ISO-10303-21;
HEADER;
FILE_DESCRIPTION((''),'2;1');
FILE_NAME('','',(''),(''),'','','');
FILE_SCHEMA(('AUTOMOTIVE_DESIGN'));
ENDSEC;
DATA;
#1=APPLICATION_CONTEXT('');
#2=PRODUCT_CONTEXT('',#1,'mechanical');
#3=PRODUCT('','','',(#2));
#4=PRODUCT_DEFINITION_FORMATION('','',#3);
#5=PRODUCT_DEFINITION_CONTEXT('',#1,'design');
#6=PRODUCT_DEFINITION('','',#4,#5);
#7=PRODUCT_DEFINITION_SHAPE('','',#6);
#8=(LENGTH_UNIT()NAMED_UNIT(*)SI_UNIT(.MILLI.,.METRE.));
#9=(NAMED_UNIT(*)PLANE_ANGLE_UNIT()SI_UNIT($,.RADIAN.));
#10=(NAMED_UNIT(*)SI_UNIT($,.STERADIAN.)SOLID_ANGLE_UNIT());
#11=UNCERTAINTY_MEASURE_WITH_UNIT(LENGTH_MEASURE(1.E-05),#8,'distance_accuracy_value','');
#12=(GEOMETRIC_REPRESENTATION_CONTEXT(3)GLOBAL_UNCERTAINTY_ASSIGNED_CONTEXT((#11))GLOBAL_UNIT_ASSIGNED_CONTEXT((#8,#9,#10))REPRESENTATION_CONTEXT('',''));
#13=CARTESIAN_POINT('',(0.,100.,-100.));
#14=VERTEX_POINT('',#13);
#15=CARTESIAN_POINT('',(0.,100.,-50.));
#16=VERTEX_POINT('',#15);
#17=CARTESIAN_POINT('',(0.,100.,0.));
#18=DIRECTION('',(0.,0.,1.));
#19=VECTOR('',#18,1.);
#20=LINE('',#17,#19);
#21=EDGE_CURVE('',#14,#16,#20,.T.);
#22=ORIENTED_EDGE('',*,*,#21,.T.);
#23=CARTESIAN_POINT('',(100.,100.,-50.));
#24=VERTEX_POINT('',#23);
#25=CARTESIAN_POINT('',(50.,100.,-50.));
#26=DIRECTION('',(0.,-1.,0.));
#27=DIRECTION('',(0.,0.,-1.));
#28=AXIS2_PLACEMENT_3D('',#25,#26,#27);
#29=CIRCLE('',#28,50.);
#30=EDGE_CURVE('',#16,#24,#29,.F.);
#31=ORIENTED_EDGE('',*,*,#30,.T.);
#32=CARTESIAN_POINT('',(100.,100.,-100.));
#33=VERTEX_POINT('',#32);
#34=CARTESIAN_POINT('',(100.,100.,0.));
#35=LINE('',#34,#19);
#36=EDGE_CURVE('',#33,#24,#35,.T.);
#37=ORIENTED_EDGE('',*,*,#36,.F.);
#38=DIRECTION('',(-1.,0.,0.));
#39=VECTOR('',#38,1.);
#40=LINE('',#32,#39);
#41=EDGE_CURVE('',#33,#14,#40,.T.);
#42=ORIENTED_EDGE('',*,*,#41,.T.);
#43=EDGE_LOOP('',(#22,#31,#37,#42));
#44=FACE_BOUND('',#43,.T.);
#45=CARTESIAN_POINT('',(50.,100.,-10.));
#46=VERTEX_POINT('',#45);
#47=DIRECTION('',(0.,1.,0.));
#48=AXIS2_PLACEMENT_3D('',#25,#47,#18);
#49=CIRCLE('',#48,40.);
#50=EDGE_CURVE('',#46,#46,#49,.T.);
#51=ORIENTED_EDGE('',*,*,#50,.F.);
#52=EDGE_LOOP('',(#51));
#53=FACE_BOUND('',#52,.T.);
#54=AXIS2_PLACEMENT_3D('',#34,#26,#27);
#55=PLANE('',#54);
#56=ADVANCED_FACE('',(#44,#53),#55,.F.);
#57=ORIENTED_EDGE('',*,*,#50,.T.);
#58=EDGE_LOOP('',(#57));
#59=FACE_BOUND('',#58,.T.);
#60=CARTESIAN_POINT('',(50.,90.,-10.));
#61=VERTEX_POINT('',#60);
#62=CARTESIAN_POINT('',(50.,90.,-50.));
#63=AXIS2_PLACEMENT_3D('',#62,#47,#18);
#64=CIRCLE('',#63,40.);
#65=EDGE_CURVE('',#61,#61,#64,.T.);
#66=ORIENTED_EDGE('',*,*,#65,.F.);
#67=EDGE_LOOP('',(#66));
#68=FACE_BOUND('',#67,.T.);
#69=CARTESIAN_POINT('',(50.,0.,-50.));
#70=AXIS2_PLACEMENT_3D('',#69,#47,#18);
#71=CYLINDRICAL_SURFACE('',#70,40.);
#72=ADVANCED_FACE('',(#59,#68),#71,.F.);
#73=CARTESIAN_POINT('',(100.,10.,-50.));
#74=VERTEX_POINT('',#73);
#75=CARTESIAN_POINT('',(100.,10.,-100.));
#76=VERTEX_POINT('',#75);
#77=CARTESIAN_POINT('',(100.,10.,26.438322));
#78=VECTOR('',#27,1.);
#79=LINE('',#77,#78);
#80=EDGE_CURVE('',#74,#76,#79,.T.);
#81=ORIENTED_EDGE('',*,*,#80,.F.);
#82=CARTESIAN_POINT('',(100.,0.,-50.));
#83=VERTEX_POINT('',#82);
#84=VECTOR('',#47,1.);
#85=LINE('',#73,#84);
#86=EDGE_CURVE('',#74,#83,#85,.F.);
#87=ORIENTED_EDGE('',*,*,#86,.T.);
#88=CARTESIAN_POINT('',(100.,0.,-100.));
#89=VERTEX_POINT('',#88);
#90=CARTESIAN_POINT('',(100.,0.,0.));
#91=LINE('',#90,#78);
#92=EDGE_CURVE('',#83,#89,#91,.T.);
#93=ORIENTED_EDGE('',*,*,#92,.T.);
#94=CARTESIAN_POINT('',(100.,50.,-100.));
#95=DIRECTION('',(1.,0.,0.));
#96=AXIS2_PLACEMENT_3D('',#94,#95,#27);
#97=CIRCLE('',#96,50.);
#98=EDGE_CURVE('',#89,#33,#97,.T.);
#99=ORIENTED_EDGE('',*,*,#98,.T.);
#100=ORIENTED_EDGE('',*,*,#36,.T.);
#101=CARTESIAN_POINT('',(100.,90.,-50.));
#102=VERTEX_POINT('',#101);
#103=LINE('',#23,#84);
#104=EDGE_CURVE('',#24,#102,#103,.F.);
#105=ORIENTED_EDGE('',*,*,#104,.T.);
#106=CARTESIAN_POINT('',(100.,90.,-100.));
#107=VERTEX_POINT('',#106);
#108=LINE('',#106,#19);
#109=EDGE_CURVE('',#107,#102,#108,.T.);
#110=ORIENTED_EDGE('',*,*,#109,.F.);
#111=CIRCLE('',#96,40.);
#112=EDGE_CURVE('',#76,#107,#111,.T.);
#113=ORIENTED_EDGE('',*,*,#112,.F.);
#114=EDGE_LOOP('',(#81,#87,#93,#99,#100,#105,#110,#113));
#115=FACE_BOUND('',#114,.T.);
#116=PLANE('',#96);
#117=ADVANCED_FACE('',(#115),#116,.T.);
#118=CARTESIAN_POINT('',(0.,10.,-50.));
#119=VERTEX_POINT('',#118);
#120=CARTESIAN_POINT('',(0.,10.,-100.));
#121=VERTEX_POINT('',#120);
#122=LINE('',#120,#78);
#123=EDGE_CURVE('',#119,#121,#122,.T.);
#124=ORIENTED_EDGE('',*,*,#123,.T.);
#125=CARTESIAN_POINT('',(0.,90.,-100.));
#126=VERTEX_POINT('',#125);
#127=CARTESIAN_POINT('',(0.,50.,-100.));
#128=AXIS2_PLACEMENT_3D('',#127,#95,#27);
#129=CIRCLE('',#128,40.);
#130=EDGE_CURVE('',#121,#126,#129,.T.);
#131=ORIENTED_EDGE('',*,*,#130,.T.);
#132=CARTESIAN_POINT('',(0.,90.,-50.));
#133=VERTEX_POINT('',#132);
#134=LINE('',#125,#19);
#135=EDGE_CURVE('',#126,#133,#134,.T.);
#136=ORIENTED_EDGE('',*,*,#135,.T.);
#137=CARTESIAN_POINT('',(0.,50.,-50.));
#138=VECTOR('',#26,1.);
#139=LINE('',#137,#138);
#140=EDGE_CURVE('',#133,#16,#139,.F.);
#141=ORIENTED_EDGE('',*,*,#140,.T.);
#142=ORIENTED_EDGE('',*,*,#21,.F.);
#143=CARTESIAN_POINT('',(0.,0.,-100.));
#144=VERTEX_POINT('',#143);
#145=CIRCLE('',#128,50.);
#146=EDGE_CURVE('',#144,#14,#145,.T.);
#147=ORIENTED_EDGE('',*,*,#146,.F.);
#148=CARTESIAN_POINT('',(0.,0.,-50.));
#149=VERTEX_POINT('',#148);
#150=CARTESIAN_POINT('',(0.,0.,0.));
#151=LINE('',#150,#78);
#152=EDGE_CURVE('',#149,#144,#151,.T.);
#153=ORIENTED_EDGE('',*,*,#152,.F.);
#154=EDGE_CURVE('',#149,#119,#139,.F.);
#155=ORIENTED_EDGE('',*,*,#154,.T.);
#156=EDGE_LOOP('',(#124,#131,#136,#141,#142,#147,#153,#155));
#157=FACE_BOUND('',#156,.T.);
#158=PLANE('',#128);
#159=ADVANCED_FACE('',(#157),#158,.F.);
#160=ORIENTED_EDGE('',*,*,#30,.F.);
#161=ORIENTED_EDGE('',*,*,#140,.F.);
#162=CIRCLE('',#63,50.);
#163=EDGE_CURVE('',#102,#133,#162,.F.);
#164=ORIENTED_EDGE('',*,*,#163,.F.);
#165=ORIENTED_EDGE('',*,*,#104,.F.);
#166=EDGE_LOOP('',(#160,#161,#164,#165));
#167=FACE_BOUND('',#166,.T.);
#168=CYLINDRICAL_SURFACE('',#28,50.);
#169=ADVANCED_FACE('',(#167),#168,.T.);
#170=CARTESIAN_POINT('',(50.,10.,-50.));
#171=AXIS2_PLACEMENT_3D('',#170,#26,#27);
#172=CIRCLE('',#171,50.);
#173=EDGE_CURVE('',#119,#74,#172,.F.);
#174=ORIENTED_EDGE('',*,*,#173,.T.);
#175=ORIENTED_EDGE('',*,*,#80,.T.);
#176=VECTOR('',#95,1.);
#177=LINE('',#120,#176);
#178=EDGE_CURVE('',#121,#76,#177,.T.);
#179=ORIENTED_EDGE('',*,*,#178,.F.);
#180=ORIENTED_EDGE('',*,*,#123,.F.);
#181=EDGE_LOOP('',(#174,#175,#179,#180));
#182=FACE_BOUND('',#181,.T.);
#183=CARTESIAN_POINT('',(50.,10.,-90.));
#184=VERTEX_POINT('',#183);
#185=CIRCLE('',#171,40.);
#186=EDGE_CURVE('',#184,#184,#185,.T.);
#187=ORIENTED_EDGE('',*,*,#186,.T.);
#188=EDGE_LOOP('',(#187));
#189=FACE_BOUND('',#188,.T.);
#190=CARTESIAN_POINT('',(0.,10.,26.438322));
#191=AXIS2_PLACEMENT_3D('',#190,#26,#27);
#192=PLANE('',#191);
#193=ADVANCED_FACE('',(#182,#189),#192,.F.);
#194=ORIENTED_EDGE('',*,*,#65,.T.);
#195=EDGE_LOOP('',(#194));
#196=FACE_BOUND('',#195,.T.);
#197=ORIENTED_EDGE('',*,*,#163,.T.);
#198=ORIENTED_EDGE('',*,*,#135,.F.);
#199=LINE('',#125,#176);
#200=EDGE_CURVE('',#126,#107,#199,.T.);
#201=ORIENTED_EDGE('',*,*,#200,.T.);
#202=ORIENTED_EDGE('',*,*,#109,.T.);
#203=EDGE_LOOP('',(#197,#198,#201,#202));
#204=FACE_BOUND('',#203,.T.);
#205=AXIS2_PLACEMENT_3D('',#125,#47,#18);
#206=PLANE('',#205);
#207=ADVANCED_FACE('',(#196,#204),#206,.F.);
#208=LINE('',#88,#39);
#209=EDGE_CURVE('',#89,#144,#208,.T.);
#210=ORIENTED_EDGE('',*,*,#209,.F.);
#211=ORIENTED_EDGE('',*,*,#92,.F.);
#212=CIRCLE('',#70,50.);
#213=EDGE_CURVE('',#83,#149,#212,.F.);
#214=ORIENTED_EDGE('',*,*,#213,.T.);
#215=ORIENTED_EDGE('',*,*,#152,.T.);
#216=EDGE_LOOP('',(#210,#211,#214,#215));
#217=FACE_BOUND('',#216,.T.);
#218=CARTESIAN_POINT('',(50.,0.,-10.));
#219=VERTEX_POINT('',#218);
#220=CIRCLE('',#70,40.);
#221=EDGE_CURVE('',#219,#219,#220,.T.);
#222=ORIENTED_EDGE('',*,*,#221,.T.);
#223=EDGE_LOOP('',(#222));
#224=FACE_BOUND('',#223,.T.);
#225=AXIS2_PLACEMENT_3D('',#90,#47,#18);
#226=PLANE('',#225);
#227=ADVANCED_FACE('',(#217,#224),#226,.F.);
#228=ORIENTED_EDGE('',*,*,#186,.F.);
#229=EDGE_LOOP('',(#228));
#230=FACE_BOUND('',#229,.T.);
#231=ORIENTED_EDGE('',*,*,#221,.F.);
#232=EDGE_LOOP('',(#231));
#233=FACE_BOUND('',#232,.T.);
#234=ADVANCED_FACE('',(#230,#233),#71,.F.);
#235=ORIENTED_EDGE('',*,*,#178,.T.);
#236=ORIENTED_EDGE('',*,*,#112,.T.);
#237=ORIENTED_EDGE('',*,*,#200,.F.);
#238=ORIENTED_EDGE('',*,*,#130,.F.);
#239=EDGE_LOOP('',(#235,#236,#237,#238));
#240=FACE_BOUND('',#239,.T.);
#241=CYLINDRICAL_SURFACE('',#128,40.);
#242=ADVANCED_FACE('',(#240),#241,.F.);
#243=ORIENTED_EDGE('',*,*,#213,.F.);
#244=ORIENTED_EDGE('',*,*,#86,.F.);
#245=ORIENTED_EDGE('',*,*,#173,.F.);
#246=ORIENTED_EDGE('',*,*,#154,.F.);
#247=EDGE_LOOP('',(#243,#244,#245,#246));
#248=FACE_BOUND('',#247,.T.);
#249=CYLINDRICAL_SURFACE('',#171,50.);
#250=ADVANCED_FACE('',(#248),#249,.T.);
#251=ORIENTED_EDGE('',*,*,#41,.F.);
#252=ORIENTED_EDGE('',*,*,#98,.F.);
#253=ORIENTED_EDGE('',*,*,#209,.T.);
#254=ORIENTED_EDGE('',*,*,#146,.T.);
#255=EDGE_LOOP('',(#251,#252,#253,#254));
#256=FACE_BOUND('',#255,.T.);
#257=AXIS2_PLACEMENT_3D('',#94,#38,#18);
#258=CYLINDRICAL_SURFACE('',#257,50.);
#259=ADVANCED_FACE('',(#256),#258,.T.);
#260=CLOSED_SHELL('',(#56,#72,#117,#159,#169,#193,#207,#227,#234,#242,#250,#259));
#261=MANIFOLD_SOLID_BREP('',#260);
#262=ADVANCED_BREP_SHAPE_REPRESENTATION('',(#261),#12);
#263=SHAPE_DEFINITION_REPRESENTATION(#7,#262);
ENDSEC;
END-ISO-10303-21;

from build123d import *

# Parameters (mm, degrees)
EXTRUDE_1_DEPTH     = 100
CUT_EXTRUDE_1_DEPTH = 207.155281281
FILLET_1_RADIUS     = 50
FILLET_1_LENGTH     = 10
FILLET_2_RADIUS     = 50
FILLET_2_LENGTH     = 10
SKETCH_3_R          = 40
CUT_EXTRUDE_2_DEPTH = 207.155281281


with BuildPart() as part:
    # 草圖1 → 填料-伸長1 (new body)
    with BuildSketch(Plane(origin=(0, 0, 0), x_dir=(0, 0, -1), z_dir=(1, 0, 0))):
        with BuildLine():
            Line((0, 0), (100, 0))
            ThreePointArc((100, 0), (150, 50), (100, 100))
            Line((100, 100), (0, 100))
            Line((0, 100), (0, 0))
        make_face()
    extrude(amount=EXTRUDE_1_DEPTH)

    # 草圖2 → 除料-伸長1 (cut, through all)
    with BuildSketch(Plane(origin=(100, 0, 0), x_dir=(0, 0, -1), z_dir=(1, 0, 0))):
        with BuildLine():
            Line((-26.438322174, 10), (-26.438322174, 90))
            Line((-26.438322174, 90), (100, 90))
            ThreePointArc((100, 90), (140, 50), (100, 10))
            Line((100, 10), (-26.438322174, 10))
        make_face()
    extrude(amount=-CUT_EXTRUDE_1_DEPTH, mode=Mode.SUBTRACT)

    # 圓角1: full round fillet: the end face becomes a half cylinder, R = half its width
    fillet_1_face = Plane((50, 95, 0), x_dir=(0, 1, 0), z_dir=(0, 0, 1))  # on the end face: x along it, z out of the body
    fillet_1_slab = fillet_1_face.offset(-FILLET_1_RADIUS / 2) * Box(FILLET_1_LENGTH, 2 * FILLET_1_RADIUS, FILLET_1_RADIUS, mode=Mode.PRIVATE)  # the body's end, R deep
    fillet_1_round = Plane((50, 95, -50), x_dir=(0, 0, 1), z_dir=(0, 1, 0)) * Cylinder(FILLET_1_RADIUS, FILLET_1_LENGTH, mode=Mode.PRIVATE)  # its axis R under the face
    add(fillet_1_slab - fillet_1_round, mode=Mode.SUBTRACT)

    # 圓角2: full round fillet: the end face becomes a half cylinder, R = half its width
    fillet_2_face = Plane((50, 5, 0), x_dir=(0, -1, 0), z_dir=(0, 0, 1))  # on the end face: x along it, z out of the body
    fillet_2_slab = fillet_2_face.offset(-FILLET_2_RADIUS / 2) * Box(FILLET_2_LENGTH, 2 * FILLET_2_RADIUS, FILLET_2_RADIUS, mode=Mode.PRIVATE)  # the body's end, R deep
    fillet_2_round = Plane((50, 5, -50), x_dir=(0, 0, 1), z_dir=(0, -1, 0)) * Cylinder(FILLET_2_RADIUS, FILLET_2_LENGTH, mode=Mode.PRIVATE)  # its axis R under the face
    add(fillet_2_slab - fillet_2_round, mode=Mode.SUBTRACT)

    # 草圖3 → 除料-伸長2 (cut, through all)
    with BuildSketch(Plane(origin=(0, 100, 0), x_dir=(1, 0, 0), z_dir=(0, 1, 0))):
        with Locations(Location((50, 50, 0), (0, 0, 270))):
            Circle(SKETCH_3_R)
    extrude(amount=-CUT_EXTRUDE_2_DEPTH, mode=Mode.SUBTRACT)


solid = part.part
